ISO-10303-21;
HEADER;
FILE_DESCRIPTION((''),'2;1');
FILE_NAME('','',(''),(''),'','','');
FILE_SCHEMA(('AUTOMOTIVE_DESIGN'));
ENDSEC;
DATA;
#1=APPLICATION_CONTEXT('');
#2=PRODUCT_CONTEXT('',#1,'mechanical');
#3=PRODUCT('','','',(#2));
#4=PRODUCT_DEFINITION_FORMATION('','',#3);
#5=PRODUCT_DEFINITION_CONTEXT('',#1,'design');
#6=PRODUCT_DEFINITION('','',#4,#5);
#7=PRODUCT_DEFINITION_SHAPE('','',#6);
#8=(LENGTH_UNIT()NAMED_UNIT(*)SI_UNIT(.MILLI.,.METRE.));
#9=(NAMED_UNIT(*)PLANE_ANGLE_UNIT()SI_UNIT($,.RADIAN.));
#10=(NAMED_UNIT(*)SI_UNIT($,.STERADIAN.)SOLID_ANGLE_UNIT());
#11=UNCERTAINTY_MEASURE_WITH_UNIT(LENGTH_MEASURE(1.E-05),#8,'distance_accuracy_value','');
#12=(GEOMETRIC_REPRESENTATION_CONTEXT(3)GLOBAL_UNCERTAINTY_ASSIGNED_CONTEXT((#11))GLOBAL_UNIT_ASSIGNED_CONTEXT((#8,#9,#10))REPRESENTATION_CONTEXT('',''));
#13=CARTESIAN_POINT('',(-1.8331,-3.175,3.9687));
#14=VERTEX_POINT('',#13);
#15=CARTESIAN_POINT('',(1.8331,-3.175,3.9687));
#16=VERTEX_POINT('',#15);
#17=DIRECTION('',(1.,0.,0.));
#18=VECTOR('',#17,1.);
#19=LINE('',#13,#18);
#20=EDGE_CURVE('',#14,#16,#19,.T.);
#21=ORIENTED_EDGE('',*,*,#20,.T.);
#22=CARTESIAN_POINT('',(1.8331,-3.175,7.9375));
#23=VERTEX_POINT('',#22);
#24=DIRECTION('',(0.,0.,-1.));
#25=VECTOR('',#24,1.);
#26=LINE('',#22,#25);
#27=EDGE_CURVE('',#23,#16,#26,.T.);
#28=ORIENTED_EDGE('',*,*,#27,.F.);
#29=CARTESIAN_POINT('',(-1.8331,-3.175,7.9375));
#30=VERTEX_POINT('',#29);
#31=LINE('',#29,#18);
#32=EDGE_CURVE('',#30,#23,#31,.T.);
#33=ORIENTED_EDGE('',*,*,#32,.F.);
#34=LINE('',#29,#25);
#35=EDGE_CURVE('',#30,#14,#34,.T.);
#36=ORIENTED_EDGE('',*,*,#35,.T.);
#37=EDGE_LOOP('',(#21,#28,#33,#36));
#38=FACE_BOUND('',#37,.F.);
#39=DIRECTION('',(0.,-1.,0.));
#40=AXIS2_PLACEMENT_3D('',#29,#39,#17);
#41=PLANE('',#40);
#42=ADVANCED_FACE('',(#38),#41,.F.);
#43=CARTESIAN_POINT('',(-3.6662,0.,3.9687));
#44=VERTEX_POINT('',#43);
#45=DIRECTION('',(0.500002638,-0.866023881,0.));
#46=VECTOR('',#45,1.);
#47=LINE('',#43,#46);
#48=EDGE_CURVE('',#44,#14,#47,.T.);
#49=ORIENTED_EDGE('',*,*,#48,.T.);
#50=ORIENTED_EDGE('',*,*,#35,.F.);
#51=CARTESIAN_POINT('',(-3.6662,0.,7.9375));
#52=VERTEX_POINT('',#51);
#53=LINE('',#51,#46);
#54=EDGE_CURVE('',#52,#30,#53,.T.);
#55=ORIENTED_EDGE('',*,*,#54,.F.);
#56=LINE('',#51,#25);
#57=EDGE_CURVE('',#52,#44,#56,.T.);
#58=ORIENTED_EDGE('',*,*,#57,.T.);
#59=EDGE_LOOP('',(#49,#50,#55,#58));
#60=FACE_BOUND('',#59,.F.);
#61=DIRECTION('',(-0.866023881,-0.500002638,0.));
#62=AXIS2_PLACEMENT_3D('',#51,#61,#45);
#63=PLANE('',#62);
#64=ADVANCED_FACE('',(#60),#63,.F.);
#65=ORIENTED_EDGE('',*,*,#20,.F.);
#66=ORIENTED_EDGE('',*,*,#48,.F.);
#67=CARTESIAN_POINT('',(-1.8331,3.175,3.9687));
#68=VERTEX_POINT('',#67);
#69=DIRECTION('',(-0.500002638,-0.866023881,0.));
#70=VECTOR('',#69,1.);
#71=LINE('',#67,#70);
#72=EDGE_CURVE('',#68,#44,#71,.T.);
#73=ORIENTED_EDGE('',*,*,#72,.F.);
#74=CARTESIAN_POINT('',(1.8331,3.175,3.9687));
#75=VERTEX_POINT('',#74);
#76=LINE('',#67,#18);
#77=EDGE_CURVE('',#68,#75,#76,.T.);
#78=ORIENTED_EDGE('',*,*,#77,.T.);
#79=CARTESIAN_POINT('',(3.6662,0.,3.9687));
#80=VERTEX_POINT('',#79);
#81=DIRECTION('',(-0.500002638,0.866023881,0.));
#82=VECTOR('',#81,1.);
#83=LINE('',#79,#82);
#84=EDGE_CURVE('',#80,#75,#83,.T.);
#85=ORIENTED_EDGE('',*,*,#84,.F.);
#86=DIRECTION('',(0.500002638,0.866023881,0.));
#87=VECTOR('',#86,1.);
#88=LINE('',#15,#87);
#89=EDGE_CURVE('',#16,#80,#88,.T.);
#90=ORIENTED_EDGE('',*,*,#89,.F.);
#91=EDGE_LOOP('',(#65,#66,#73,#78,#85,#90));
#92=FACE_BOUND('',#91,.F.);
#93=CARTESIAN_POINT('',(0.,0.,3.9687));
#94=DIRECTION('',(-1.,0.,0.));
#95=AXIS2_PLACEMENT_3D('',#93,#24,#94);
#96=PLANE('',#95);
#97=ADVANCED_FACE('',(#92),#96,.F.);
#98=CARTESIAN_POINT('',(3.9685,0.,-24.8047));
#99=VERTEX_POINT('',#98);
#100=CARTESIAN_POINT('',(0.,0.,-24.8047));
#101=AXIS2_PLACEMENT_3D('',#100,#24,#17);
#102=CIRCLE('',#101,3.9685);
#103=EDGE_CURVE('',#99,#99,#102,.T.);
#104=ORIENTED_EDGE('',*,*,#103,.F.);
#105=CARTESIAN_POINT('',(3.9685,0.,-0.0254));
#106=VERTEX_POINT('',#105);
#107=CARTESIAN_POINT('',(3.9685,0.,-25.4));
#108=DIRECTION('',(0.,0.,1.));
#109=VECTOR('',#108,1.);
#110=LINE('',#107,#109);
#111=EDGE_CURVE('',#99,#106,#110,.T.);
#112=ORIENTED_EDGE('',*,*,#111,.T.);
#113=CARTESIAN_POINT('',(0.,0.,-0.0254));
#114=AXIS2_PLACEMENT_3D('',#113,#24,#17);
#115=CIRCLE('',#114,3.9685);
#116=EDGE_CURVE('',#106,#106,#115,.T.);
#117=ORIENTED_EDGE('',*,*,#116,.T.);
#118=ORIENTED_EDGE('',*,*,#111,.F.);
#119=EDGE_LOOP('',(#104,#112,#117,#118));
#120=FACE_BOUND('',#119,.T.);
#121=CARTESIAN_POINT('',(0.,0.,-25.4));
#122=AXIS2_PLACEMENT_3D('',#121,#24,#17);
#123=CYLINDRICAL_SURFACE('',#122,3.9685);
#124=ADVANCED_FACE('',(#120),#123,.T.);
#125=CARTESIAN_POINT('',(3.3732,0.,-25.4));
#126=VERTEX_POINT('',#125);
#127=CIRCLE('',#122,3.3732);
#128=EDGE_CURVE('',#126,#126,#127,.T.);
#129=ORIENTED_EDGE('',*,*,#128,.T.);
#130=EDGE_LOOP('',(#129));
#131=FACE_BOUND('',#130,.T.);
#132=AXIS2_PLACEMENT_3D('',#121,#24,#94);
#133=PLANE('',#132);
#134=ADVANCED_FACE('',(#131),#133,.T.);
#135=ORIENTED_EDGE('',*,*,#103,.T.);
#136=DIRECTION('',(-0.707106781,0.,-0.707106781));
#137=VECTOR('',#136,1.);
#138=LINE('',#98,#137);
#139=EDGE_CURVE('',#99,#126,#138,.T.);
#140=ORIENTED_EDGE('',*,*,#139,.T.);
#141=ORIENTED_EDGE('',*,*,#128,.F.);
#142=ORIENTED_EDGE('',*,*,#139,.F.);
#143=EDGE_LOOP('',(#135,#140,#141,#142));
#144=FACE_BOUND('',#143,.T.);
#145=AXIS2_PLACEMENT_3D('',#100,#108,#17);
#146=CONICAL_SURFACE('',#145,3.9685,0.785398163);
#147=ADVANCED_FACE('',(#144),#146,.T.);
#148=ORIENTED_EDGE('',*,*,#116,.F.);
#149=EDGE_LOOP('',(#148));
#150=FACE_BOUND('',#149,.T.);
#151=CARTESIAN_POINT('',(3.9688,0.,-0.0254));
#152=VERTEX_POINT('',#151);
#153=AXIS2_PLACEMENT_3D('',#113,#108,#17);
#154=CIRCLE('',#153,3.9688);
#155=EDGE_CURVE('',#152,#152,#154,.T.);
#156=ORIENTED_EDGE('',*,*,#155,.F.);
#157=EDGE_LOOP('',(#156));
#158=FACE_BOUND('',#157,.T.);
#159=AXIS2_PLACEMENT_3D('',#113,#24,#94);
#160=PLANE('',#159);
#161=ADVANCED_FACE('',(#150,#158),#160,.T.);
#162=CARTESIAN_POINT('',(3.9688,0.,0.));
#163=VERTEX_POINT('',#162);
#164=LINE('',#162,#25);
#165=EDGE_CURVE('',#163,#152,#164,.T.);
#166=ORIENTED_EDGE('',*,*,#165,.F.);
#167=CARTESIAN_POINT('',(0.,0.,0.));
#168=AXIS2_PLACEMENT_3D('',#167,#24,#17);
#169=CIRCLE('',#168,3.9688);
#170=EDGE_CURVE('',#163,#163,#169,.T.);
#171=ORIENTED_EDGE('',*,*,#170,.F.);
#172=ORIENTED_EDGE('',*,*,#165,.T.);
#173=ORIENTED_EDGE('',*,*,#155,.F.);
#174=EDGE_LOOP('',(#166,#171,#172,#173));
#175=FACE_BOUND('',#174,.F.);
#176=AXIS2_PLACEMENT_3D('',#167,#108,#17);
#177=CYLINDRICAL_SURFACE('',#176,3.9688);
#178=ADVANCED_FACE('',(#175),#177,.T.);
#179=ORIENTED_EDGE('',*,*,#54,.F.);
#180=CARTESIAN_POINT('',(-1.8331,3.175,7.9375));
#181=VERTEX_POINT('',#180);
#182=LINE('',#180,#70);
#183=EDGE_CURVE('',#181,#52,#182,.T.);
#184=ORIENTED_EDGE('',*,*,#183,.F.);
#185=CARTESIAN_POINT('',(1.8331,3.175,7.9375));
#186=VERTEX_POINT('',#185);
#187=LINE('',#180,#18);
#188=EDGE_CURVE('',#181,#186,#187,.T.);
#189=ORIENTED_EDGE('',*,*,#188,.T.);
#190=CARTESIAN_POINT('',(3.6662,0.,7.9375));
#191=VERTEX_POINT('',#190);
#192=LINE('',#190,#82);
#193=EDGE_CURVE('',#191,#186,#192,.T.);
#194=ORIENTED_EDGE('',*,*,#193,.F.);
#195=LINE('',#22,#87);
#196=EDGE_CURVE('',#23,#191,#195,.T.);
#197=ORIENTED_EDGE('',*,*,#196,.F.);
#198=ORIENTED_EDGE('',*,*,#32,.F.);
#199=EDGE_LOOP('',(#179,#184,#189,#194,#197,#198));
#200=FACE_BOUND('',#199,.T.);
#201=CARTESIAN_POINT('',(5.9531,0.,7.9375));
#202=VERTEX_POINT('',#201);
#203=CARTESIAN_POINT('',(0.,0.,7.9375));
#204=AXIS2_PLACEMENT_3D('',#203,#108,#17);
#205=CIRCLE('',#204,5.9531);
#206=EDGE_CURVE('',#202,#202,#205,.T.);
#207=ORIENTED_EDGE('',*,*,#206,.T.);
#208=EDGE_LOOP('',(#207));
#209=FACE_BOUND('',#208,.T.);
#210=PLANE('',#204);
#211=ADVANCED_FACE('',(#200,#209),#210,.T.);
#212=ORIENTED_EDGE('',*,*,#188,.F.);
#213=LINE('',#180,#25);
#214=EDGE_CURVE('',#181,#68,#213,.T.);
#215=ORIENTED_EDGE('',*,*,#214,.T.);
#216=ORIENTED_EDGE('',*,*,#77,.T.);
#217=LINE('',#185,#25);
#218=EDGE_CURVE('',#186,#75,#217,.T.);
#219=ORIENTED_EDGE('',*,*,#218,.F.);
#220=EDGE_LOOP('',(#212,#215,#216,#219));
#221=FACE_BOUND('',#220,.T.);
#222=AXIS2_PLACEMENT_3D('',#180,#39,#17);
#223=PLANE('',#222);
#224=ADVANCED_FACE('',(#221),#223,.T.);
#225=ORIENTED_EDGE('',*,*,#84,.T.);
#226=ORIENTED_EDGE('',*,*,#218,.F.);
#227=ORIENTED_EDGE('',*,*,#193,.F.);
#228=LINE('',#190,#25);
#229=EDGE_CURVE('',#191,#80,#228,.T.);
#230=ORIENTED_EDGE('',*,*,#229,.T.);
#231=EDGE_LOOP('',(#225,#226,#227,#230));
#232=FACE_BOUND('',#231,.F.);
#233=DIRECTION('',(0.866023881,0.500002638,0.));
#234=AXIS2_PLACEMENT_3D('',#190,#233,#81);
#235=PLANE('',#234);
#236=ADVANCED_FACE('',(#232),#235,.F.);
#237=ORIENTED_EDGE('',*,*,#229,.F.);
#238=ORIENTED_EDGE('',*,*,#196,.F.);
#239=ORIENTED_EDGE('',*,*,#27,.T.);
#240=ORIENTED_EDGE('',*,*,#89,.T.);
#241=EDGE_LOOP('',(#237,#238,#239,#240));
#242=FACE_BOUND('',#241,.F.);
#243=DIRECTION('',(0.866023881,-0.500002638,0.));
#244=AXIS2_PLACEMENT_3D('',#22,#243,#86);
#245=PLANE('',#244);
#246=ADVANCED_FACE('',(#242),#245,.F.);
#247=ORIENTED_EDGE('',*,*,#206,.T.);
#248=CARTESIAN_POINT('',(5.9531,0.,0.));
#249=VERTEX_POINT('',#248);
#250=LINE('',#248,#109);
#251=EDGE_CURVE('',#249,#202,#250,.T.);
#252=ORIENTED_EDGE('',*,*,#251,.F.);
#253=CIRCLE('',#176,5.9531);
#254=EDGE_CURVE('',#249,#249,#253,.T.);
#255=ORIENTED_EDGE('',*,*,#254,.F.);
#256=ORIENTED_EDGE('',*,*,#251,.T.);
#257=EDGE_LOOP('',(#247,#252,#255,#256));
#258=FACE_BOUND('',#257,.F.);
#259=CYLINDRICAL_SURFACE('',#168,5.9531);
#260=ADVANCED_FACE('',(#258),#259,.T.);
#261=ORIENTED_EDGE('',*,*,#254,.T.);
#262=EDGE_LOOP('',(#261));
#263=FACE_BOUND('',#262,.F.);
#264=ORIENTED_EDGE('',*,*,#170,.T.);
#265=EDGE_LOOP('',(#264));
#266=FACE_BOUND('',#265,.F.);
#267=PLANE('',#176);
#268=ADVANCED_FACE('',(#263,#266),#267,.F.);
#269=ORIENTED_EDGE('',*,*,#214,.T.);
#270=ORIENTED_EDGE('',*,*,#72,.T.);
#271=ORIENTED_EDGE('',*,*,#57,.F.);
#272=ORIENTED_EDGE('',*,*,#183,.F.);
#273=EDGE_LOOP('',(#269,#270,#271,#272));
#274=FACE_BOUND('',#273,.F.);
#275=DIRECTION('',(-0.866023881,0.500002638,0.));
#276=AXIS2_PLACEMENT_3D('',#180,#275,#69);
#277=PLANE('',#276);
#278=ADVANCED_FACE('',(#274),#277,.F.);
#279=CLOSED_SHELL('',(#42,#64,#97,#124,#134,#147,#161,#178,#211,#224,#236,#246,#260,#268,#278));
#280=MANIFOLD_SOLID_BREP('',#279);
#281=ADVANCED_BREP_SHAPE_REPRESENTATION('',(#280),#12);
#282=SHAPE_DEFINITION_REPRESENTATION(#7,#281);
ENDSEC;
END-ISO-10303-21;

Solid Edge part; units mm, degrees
sketch "Sketch1" plane through (0, 0, 0) normal (0, 0, 1) x (1, 0, 0)
  circle A0 centre (0, 0) radius 5.9531
  dimension "D1" = 11.9062
extrude "Protrusion1" add sketch "Sketch1" along normal blind 7.9375
sketch "Sketch2" plane through (0, 0, 0) normal (0, 0, -1) x (1, 0, 0)
  circle A0 centre (0, 0) radius 3.9688
extrude "Protrusion2" add sketch "Sketch2" along normal blind 25.4
sketch "Sketch3" plane through (0, 0, -25.4) normal (0, 0, -1) x (1, 0, 0)
  circle A0 centre (0, 0) radius 3.9685
extrude "Cutout1" cut sketch "Sketch3" against normal blind 25.3746 flip side to cut
chamfer "Chamfer_1" distance 0.5953 angle 45 1 edges at (-3.9685, 0, -25.4)
sketch "Sketch4" plane through (0, 0, 7.9375) normal (0, 0, 1) x (1, 0, 0)
  line L0 (-1.8331, 3.175) -> (1.8331, 3.175)
  line L1 (3.6662, 0) -> (1.8331, 3.175)
  line L2 (1.8331, -3.175) -> (3.6662, 0)
  line L3 (-1.8331, -3.175) -> (1.8331, -3.175)
  line L4 (-3.6662, 0) -> (-1.8331, -3.175)
  line L5 (-1.8331, 3.175) -> (-3.6662, 0)
  dimension "D1" = 6.35
extrude "Cutout2" cut sketch "Sketch4" against normal blind 3.9688
properties part number "24102200"
